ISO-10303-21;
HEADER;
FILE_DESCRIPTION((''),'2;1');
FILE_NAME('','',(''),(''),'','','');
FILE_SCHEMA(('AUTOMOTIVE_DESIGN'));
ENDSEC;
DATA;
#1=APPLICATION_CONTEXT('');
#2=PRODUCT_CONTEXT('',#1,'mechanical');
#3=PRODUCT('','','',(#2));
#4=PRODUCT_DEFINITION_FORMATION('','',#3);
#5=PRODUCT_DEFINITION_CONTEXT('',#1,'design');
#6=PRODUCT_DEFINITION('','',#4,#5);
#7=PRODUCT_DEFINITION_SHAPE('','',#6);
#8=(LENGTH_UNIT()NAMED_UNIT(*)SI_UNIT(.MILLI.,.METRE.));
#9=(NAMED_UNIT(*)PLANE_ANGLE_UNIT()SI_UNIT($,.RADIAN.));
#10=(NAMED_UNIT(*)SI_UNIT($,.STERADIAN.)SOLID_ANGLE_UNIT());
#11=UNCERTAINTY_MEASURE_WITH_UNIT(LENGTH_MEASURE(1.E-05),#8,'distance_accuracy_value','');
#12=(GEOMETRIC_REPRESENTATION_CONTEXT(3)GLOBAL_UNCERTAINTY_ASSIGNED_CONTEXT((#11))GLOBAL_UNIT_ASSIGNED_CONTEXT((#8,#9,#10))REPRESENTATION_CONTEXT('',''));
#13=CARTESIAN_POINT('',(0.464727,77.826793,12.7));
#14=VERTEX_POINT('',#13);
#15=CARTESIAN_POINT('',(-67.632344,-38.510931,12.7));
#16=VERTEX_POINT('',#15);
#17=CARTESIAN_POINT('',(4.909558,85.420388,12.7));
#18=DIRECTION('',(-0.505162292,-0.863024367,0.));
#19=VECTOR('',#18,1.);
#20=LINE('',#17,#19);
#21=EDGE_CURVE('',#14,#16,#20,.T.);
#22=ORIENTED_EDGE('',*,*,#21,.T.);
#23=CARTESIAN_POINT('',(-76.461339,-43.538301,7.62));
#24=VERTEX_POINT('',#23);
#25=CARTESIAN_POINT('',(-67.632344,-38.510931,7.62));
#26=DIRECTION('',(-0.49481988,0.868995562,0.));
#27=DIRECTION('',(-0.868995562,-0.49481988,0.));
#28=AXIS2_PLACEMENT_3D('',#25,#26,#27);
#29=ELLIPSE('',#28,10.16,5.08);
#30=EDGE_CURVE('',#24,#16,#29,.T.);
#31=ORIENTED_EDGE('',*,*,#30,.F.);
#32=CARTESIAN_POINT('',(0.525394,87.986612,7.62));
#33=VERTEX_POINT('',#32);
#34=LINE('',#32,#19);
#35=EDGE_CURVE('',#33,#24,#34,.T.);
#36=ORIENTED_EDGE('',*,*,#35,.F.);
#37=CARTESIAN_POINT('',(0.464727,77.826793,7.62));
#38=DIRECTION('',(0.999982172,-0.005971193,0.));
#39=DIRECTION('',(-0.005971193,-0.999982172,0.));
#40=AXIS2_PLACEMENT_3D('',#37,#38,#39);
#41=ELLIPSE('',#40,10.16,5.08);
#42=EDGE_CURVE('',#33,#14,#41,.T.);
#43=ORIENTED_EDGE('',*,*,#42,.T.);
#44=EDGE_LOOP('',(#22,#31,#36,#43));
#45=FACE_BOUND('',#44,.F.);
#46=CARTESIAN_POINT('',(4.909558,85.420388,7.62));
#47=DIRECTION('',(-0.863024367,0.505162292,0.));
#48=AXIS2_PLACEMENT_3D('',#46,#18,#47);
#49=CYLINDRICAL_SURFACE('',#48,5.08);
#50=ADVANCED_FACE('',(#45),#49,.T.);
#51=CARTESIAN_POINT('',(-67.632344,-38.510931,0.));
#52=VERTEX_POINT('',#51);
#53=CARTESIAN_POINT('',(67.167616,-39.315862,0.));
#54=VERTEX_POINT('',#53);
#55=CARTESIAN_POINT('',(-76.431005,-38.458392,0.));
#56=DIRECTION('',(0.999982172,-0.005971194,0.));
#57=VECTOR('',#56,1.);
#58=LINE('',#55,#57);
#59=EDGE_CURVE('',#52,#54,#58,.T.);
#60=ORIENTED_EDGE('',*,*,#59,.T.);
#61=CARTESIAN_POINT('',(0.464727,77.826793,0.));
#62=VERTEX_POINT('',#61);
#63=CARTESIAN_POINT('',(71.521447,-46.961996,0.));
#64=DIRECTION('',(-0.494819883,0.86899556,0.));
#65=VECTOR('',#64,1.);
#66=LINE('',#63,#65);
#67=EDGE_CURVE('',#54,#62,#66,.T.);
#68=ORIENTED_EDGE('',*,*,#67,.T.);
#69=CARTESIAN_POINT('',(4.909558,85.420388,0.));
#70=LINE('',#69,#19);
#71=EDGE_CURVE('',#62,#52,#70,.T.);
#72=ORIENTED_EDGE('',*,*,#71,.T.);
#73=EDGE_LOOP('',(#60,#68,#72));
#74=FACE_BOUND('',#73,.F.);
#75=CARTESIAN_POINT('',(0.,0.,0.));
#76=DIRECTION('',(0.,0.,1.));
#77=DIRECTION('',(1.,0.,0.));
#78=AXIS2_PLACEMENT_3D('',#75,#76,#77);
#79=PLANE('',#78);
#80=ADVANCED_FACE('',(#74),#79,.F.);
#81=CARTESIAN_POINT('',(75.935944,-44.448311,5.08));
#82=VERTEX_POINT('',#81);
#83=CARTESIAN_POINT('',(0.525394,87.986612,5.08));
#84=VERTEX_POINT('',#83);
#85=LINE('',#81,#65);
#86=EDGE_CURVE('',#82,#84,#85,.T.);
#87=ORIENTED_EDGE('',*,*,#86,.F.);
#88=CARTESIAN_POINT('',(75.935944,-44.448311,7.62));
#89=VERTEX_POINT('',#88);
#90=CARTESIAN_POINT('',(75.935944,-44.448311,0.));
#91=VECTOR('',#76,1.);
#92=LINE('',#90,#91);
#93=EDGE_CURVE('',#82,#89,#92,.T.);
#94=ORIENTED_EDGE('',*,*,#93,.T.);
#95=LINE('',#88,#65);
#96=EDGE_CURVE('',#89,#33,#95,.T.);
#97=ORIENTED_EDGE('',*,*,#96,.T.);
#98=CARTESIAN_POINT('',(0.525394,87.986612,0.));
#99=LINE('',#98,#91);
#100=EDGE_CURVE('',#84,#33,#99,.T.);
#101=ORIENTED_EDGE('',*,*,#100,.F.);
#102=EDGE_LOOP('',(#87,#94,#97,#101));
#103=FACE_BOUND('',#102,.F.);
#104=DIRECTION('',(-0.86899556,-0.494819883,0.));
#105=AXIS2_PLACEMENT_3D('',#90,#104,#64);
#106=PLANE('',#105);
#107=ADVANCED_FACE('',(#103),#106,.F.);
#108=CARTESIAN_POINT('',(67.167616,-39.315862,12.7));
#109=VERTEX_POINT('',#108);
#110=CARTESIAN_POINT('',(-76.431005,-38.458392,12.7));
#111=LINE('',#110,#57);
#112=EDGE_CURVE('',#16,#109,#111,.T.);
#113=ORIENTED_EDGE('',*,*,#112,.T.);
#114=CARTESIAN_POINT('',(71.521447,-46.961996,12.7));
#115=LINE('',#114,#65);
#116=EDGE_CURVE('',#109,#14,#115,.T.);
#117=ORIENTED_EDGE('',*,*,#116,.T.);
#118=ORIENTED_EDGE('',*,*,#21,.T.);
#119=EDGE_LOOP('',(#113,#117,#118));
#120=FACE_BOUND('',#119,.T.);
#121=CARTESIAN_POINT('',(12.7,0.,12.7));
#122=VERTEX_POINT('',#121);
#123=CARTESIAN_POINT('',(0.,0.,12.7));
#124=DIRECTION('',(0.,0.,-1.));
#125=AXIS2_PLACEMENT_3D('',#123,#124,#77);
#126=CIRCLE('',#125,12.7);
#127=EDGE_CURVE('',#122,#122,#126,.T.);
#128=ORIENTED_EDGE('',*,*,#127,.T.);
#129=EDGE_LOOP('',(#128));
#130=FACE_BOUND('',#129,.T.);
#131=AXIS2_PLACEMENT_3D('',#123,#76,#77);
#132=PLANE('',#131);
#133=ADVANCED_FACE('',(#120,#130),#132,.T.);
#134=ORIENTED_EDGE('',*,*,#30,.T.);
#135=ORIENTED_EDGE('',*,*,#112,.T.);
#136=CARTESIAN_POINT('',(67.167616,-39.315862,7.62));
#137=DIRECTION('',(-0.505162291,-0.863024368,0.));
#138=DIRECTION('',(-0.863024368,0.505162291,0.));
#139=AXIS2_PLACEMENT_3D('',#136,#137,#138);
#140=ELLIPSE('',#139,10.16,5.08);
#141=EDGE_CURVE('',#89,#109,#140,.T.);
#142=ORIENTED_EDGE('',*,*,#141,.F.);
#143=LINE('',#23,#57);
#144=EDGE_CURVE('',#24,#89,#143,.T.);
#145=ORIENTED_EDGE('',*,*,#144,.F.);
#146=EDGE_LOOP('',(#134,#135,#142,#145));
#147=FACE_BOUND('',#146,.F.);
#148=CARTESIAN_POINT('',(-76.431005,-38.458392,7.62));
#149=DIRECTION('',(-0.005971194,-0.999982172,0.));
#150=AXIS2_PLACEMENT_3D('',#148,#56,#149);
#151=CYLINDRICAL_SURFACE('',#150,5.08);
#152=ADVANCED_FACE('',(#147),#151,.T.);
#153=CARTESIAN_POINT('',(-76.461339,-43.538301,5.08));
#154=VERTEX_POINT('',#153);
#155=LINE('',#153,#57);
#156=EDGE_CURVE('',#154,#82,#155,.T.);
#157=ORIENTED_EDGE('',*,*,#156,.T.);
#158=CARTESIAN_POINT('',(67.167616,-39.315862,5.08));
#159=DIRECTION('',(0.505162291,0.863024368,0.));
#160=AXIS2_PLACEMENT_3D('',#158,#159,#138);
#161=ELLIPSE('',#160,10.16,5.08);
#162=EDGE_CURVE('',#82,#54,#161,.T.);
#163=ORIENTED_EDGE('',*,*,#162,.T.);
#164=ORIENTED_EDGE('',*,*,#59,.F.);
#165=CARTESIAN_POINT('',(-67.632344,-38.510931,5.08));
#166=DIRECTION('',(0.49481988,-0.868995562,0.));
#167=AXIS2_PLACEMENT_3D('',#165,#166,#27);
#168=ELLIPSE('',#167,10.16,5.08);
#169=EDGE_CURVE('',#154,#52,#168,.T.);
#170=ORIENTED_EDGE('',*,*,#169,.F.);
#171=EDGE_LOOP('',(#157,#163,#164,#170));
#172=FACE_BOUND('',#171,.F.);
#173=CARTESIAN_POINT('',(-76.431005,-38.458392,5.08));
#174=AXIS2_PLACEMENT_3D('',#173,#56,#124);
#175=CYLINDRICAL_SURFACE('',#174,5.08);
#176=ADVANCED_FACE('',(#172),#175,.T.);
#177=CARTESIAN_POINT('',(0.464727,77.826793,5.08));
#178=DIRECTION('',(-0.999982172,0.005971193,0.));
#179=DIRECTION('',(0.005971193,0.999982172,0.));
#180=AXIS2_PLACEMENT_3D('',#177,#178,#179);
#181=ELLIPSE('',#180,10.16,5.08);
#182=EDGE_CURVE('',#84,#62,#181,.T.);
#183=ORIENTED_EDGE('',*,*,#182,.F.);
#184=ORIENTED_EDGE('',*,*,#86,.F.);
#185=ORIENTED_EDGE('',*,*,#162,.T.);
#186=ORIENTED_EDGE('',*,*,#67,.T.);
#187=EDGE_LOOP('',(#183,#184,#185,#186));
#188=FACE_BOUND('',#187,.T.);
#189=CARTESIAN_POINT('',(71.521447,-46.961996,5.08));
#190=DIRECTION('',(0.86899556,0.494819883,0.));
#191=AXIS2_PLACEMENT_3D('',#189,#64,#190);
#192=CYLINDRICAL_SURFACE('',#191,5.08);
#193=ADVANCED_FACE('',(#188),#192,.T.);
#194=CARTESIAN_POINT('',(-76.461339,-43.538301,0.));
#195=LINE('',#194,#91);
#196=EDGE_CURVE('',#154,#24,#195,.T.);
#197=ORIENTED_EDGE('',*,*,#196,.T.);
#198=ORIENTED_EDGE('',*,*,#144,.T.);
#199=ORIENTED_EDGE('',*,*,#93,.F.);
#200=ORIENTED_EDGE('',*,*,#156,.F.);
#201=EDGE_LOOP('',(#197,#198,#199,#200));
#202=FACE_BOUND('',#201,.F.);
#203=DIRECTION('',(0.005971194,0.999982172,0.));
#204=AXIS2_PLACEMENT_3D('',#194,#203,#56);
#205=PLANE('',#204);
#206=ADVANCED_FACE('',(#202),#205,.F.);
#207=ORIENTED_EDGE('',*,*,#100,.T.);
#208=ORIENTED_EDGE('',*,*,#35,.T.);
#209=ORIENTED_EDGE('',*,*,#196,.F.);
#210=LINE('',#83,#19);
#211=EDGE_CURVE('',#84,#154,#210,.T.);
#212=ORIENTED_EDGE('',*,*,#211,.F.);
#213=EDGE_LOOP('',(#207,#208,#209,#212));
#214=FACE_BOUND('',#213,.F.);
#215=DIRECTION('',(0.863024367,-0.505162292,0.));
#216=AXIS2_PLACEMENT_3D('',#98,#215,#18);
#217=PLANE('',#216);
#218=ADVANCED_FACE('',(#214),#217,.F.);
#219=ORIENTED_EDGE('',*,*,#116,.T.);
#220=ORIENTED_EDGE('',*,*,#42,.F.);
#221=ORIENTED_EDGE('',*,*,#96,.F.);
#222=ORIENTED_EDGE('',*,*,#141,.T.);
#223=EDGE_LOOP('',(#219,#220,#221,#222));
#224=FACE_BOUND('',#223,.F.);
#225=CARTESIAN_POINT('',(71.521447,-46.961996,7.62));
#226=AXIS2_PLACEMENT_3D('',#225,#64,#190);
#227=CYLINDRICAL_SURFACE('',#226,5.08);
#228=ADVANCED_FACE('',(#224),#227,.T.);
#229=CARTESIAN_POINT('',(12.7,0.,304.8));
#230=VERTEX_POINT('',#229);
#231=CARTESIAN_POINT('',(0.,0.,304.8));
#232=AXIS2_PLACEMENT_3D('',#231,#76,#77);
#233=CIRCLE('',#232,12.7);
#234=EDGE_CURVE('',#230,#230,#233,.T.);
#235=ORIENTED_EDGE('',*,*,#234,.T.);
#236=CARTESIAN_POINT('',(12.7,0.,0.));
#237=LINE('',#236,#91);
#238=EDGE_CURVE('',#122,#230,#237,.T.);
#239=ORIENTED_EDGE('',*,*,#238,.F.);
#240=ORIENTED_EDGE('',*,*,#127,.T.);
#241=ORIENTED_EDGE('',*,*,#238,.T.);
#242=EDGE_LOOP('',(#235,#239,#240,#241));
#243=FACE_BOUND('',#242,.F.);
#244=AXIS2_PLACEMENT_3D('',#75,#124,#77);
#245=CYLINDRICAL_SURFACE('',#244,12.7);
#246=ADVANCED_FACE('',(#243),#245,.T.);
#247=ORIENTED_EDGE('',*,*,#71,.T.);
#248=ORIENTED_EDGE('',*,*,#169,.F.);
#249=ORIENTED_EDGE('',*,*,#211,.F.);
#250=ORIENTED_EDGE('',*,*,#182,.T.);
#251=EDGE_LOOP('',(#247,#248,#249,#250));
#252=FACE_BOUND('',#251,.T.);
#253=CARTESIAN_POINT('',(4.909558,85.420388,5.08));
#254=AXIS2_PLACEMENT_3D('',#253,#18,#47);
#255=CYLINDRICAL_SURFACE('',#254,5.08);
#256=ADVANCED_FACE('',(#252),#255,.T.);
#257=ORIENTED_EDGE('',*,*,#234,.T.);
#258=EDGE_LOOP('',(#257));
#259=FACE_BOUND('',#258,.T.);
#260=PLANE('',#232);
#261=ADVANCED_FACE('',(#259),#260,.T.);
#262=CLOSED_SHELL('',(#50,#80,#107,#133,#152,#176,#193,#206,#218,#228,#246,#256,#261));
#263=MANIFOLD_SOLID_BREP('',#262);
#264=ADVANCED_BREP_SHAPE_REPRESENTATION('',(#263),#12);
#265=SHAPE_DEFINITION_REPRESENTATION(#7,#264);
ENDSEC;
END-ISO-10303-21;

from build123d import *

# Parameters (mm, degrees)
F1_DEPTH = 12.7
F2_R     = 12.7
F3_DEPTH = 304.8
F4_R     = 5.08
F5_R     = 5.08


with BuildPart() as f1:
    # F0 (on Top) → F1 (new body)
    with BuildSketch(Plane.XY):
        Polygon((0.525394, 87.986612), (-76.461339, -43.538301), (75.935944, -44.448311), align=None)
    extrude(amount=F1_DEPTH)

    # F2 (on Top) → F3 (join)
    with BuildSketch(Plane.XY):
        Circle(F2_R)
    extrude(amount=F3_DEPTH)

    # F4
    f4_edges = [f1.edges().sort_by_distance(p)[0] for p in [
        (-37.967972, 22.224156, 12.7),
        (38.230669, 21.769151, 12.7),
        (-0.262697, -43.993306, 12.7),
    ]]
    fillet(f4_edges, radius=F4_R)

    # F5
    f5_edges = [f1.edges().sort_by_distance(p)[0] for p in [
        (38.230669, 21.769151, 0),
        (-37.967972, 22.224156, 0),
        (-0.262697, -43.993306, 0),
    ]]
    fillet(f5_edges, radius=F5_R)


solid = f1.part
